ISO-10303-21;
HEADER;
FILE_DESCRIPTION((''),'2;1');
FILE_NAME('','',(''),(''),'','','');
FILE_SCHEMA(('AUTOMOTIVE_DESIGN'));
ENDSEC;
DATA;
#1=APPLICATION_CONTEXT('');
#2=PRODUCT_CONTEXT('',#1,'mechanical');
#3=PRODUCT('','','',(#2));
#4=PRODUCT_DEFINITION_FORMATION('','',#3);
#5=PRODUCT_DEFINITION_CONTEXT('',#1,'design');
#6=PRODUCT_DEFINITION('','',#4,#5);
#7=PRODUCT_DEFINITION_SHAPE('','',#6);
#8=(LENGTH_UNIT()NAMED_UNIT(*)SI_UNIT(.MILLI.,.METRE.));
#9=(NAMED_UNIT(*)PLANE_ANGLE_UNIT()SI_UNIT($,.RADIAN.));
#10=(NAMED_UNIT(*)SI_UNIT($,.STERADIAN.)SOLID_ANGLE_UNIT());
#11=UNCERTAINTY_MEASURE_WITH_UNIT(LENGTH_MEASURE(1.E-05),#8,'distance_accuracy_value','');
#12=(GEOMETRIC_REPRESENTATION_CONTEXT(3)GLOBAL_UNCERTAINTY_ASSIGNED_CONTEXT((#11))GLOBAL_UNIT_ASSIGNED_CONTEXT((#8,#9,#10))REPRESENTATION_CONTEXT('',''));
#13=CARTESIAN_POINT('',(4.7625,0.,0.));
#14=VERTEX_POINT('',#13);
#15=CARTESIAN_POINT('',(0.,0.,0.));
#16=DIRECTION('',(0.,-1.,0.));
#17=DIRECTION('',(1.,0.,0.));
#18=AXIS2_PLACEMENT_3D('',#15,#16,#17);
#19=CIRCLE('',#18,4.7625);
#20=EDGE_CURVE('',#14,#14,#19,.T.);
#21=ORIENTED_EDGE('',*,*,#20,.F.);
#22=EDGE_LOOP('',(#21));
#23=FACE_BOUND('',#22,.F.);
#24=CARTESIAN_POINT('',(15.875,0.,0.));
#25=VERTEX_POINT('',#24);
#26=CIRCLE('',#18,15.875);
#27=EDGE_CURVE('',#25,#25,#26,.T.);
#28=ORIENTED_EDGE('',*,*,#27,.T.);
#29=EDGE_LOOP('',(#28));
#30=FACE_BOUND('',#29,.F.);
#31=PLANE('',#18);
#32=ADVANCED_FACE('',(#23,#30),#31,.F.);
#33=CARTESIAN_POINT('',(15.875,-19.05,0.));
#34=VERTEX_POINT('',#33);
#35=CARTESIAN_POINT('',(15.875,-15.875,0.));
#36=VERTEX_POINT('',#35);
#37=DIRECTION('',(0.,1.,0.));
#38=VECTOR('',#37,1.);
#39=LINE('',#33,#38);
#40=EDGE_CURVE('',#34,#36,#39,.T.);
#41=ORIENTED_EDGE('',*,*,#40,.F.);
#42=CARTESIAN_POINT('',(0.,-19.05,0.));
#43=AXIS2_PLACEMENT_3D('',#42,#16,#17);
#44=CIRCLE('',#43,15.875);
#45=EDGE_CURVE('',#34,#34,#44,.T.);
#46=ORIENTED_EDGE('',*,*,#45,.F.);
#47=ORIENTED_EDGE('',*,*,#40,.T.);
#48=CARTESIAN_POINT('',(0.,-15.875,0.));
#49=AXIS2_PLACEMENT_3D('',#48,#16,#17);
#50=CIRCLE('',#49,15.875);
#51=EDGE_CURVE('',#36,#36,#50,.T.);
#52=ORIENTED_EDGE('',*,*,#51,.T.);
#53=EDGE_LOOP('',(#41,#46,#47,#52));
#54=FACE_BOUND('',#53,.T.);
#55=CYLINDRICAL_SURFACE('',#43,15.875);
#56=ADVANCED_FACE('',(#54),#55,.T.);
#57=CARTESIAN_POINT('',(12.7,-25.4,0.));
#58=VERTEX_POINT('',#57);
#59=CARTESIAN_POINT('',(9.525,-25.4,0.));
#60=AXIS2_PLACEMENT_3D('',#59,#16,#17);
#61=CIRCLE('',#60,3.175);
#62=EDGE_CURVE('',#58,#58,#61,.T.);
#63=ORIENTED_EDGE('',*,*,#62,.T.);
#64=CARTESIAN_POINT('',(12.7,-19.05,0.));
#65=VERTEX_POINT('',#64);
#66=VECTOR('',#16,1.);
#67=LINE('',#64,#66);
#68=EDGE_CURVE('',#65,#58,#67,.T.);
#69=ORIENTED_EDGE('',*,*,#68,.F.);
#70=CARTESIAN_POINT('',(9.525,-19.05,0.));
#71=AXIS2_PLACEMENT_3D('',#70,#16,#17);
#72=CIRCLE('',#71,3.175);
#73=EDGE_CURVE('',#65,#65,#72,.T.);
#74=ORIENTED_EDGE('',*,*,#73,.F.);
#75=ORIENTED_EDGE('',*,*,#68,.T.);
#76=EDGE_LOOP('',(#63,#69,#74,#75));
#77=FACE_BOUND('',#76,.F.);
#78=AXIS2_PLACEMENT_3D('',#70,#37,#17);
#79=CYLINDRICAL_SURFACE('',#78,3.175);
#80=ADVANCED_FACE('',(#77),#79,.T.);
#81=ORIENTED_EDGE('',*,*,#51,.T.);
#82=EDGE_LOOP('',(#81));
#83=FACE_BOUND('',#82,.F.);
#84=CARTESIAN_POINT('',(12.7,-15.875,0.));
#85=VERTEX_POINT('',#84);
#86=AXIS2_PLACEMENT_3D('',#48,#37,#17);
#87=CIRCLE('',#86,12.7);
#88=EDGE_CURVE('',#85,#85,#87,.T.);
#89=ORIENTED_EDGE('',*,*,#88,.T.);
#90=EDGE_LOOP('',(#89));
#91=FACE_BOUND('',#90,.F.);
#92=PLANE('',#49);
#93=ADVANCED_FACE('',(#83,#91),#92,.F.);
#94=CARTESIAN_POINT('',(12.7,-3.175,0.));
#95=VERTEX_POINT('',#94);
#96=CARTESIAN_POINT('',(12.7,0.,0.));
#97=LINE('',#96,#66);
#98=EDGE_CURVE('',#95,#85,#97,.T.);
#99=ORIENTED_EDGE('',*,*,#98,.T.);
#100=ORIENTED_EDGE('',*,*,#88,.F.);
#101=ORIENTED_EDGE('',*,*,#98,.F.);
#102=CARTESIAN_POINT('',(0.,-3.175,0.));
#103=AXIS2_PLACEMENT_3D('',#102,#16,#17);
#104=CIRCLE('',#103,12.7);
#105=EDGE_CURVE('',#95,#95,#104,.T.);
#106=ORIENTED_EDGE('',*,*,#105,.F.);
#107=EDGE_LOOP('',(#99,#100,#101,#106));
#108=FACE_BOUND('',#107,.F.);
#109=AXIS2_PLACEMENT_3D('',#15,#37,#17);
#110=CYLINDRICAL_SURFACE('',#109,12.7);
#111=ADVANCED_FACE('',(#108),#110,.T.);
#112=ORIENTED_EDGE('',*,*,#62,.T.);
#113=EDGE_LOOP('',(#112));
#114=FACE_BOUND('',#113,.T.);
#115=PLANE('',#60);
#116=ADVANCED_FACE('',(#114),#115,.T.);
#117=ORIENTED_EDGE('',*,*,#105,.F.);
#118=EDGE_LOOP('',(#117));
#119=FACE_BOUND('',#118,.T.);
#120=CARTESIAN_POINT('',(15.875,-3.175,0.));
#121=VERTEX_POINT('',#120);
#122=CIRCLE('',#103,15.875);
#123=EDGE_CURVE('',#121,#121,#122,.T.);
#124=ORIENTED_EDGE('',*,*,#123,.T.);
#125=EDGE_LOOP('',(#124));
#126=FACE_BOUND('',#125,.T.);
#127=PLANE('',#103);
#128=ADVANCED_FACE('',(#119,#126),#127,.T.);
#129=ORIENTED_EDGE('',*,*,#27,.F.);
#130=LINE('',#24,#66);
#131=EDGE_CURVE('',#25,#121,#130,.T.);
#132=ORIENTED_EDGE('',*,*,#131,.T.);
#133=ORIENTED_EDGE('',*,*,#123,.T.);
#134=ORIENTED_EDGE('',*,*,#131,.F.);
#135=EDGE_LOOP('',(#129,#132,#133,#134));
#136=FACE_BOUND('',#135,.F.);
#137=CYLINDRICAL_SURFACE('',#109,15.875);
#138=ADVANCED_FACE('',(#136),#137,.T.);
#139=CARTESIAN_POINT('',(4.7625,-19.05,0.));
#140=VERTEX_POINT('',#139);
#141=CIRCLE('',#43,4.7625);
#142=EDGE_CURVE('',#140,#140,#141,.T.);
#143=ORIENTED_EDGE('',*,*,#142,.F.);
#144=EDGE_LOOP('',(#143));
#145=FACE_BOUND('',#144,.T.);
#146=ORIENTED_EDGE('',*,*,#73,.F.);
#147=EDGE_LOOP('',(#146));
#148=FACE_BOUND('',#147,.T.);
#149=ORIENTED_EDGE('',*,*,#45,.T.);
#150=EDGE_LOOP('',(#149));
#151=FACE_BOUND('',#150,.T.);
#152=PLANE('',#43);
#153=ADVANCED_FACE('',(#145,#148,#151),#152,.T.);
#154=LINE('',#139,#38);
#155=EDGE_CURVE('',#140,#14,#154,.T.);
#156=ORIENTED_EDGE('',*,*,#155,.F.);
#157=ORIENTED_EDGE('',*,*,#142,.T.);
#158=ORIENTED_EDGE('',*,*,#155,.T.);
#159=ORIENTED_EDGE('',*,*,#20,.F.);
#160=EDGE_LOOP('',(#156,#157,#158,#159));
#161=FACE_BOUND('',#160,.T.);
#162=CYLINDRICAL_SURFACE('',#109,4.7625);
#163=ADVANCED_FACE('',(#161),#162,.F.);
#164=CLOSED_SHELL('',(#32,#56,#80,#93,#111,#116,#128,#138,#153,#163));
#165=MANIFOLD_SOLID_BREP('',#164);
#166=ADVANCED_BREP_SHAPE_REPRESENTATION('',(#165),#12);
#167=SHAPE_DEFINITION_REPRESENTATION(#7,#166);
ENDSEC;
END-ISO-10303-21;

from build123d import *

# Parameters (mm, degrees)
F0_R     = 15.875
F0_R_2   = 12.7
F1_DEPTH = 3.175
F0_R_3   = 4.7625
F2_DEPTH = 19.05
F3_R     = 15.875
F3_R_2   = 4.7625
F3_R_3   = 3.175
F4_DEPTH = 3.175
F5_DEPTH = 6.35


with BuildPart() as f1:
    # F0 (on Front) → F1 (new body)
    with BuildSketch(Plane.XZ):
        Circle(F0_R)
        Circle(F0_R_2, mode=Mode.SUBTRACT)
    extrude(amount=F1_DEPTH)

    # F0 (on Front) → F2 (join)
    with BuildSketch(Plane.XZ):
        Circle(F0_R_2)
        Circle(F0_R_3, mode=Mode.SUBTRACT)
    extrude(amount=F2_DEPTH)

    # F3 (on face) → F4 (join)
    with BuildSketch(Plane.XZ.offset(19.05)):
        Circle(F3_R)
        Circle(F3_R_2, mode=Mode.SUBTRACT)
        with Locations((9.525, 0)):
            Circle(F3_R_3, mode=Mode.SUBTRACT)
    extrude(amount=-F4_DEPTH)

    # F3 (on face) → F5 (join)
    with BuildSketch(Plane.XZ.offset(19.05)):
        with Locations((9.525, 0)):
            Circle(F3_R_3)
    extrude(amount=F5_DEPTH)


solid = f1.part
